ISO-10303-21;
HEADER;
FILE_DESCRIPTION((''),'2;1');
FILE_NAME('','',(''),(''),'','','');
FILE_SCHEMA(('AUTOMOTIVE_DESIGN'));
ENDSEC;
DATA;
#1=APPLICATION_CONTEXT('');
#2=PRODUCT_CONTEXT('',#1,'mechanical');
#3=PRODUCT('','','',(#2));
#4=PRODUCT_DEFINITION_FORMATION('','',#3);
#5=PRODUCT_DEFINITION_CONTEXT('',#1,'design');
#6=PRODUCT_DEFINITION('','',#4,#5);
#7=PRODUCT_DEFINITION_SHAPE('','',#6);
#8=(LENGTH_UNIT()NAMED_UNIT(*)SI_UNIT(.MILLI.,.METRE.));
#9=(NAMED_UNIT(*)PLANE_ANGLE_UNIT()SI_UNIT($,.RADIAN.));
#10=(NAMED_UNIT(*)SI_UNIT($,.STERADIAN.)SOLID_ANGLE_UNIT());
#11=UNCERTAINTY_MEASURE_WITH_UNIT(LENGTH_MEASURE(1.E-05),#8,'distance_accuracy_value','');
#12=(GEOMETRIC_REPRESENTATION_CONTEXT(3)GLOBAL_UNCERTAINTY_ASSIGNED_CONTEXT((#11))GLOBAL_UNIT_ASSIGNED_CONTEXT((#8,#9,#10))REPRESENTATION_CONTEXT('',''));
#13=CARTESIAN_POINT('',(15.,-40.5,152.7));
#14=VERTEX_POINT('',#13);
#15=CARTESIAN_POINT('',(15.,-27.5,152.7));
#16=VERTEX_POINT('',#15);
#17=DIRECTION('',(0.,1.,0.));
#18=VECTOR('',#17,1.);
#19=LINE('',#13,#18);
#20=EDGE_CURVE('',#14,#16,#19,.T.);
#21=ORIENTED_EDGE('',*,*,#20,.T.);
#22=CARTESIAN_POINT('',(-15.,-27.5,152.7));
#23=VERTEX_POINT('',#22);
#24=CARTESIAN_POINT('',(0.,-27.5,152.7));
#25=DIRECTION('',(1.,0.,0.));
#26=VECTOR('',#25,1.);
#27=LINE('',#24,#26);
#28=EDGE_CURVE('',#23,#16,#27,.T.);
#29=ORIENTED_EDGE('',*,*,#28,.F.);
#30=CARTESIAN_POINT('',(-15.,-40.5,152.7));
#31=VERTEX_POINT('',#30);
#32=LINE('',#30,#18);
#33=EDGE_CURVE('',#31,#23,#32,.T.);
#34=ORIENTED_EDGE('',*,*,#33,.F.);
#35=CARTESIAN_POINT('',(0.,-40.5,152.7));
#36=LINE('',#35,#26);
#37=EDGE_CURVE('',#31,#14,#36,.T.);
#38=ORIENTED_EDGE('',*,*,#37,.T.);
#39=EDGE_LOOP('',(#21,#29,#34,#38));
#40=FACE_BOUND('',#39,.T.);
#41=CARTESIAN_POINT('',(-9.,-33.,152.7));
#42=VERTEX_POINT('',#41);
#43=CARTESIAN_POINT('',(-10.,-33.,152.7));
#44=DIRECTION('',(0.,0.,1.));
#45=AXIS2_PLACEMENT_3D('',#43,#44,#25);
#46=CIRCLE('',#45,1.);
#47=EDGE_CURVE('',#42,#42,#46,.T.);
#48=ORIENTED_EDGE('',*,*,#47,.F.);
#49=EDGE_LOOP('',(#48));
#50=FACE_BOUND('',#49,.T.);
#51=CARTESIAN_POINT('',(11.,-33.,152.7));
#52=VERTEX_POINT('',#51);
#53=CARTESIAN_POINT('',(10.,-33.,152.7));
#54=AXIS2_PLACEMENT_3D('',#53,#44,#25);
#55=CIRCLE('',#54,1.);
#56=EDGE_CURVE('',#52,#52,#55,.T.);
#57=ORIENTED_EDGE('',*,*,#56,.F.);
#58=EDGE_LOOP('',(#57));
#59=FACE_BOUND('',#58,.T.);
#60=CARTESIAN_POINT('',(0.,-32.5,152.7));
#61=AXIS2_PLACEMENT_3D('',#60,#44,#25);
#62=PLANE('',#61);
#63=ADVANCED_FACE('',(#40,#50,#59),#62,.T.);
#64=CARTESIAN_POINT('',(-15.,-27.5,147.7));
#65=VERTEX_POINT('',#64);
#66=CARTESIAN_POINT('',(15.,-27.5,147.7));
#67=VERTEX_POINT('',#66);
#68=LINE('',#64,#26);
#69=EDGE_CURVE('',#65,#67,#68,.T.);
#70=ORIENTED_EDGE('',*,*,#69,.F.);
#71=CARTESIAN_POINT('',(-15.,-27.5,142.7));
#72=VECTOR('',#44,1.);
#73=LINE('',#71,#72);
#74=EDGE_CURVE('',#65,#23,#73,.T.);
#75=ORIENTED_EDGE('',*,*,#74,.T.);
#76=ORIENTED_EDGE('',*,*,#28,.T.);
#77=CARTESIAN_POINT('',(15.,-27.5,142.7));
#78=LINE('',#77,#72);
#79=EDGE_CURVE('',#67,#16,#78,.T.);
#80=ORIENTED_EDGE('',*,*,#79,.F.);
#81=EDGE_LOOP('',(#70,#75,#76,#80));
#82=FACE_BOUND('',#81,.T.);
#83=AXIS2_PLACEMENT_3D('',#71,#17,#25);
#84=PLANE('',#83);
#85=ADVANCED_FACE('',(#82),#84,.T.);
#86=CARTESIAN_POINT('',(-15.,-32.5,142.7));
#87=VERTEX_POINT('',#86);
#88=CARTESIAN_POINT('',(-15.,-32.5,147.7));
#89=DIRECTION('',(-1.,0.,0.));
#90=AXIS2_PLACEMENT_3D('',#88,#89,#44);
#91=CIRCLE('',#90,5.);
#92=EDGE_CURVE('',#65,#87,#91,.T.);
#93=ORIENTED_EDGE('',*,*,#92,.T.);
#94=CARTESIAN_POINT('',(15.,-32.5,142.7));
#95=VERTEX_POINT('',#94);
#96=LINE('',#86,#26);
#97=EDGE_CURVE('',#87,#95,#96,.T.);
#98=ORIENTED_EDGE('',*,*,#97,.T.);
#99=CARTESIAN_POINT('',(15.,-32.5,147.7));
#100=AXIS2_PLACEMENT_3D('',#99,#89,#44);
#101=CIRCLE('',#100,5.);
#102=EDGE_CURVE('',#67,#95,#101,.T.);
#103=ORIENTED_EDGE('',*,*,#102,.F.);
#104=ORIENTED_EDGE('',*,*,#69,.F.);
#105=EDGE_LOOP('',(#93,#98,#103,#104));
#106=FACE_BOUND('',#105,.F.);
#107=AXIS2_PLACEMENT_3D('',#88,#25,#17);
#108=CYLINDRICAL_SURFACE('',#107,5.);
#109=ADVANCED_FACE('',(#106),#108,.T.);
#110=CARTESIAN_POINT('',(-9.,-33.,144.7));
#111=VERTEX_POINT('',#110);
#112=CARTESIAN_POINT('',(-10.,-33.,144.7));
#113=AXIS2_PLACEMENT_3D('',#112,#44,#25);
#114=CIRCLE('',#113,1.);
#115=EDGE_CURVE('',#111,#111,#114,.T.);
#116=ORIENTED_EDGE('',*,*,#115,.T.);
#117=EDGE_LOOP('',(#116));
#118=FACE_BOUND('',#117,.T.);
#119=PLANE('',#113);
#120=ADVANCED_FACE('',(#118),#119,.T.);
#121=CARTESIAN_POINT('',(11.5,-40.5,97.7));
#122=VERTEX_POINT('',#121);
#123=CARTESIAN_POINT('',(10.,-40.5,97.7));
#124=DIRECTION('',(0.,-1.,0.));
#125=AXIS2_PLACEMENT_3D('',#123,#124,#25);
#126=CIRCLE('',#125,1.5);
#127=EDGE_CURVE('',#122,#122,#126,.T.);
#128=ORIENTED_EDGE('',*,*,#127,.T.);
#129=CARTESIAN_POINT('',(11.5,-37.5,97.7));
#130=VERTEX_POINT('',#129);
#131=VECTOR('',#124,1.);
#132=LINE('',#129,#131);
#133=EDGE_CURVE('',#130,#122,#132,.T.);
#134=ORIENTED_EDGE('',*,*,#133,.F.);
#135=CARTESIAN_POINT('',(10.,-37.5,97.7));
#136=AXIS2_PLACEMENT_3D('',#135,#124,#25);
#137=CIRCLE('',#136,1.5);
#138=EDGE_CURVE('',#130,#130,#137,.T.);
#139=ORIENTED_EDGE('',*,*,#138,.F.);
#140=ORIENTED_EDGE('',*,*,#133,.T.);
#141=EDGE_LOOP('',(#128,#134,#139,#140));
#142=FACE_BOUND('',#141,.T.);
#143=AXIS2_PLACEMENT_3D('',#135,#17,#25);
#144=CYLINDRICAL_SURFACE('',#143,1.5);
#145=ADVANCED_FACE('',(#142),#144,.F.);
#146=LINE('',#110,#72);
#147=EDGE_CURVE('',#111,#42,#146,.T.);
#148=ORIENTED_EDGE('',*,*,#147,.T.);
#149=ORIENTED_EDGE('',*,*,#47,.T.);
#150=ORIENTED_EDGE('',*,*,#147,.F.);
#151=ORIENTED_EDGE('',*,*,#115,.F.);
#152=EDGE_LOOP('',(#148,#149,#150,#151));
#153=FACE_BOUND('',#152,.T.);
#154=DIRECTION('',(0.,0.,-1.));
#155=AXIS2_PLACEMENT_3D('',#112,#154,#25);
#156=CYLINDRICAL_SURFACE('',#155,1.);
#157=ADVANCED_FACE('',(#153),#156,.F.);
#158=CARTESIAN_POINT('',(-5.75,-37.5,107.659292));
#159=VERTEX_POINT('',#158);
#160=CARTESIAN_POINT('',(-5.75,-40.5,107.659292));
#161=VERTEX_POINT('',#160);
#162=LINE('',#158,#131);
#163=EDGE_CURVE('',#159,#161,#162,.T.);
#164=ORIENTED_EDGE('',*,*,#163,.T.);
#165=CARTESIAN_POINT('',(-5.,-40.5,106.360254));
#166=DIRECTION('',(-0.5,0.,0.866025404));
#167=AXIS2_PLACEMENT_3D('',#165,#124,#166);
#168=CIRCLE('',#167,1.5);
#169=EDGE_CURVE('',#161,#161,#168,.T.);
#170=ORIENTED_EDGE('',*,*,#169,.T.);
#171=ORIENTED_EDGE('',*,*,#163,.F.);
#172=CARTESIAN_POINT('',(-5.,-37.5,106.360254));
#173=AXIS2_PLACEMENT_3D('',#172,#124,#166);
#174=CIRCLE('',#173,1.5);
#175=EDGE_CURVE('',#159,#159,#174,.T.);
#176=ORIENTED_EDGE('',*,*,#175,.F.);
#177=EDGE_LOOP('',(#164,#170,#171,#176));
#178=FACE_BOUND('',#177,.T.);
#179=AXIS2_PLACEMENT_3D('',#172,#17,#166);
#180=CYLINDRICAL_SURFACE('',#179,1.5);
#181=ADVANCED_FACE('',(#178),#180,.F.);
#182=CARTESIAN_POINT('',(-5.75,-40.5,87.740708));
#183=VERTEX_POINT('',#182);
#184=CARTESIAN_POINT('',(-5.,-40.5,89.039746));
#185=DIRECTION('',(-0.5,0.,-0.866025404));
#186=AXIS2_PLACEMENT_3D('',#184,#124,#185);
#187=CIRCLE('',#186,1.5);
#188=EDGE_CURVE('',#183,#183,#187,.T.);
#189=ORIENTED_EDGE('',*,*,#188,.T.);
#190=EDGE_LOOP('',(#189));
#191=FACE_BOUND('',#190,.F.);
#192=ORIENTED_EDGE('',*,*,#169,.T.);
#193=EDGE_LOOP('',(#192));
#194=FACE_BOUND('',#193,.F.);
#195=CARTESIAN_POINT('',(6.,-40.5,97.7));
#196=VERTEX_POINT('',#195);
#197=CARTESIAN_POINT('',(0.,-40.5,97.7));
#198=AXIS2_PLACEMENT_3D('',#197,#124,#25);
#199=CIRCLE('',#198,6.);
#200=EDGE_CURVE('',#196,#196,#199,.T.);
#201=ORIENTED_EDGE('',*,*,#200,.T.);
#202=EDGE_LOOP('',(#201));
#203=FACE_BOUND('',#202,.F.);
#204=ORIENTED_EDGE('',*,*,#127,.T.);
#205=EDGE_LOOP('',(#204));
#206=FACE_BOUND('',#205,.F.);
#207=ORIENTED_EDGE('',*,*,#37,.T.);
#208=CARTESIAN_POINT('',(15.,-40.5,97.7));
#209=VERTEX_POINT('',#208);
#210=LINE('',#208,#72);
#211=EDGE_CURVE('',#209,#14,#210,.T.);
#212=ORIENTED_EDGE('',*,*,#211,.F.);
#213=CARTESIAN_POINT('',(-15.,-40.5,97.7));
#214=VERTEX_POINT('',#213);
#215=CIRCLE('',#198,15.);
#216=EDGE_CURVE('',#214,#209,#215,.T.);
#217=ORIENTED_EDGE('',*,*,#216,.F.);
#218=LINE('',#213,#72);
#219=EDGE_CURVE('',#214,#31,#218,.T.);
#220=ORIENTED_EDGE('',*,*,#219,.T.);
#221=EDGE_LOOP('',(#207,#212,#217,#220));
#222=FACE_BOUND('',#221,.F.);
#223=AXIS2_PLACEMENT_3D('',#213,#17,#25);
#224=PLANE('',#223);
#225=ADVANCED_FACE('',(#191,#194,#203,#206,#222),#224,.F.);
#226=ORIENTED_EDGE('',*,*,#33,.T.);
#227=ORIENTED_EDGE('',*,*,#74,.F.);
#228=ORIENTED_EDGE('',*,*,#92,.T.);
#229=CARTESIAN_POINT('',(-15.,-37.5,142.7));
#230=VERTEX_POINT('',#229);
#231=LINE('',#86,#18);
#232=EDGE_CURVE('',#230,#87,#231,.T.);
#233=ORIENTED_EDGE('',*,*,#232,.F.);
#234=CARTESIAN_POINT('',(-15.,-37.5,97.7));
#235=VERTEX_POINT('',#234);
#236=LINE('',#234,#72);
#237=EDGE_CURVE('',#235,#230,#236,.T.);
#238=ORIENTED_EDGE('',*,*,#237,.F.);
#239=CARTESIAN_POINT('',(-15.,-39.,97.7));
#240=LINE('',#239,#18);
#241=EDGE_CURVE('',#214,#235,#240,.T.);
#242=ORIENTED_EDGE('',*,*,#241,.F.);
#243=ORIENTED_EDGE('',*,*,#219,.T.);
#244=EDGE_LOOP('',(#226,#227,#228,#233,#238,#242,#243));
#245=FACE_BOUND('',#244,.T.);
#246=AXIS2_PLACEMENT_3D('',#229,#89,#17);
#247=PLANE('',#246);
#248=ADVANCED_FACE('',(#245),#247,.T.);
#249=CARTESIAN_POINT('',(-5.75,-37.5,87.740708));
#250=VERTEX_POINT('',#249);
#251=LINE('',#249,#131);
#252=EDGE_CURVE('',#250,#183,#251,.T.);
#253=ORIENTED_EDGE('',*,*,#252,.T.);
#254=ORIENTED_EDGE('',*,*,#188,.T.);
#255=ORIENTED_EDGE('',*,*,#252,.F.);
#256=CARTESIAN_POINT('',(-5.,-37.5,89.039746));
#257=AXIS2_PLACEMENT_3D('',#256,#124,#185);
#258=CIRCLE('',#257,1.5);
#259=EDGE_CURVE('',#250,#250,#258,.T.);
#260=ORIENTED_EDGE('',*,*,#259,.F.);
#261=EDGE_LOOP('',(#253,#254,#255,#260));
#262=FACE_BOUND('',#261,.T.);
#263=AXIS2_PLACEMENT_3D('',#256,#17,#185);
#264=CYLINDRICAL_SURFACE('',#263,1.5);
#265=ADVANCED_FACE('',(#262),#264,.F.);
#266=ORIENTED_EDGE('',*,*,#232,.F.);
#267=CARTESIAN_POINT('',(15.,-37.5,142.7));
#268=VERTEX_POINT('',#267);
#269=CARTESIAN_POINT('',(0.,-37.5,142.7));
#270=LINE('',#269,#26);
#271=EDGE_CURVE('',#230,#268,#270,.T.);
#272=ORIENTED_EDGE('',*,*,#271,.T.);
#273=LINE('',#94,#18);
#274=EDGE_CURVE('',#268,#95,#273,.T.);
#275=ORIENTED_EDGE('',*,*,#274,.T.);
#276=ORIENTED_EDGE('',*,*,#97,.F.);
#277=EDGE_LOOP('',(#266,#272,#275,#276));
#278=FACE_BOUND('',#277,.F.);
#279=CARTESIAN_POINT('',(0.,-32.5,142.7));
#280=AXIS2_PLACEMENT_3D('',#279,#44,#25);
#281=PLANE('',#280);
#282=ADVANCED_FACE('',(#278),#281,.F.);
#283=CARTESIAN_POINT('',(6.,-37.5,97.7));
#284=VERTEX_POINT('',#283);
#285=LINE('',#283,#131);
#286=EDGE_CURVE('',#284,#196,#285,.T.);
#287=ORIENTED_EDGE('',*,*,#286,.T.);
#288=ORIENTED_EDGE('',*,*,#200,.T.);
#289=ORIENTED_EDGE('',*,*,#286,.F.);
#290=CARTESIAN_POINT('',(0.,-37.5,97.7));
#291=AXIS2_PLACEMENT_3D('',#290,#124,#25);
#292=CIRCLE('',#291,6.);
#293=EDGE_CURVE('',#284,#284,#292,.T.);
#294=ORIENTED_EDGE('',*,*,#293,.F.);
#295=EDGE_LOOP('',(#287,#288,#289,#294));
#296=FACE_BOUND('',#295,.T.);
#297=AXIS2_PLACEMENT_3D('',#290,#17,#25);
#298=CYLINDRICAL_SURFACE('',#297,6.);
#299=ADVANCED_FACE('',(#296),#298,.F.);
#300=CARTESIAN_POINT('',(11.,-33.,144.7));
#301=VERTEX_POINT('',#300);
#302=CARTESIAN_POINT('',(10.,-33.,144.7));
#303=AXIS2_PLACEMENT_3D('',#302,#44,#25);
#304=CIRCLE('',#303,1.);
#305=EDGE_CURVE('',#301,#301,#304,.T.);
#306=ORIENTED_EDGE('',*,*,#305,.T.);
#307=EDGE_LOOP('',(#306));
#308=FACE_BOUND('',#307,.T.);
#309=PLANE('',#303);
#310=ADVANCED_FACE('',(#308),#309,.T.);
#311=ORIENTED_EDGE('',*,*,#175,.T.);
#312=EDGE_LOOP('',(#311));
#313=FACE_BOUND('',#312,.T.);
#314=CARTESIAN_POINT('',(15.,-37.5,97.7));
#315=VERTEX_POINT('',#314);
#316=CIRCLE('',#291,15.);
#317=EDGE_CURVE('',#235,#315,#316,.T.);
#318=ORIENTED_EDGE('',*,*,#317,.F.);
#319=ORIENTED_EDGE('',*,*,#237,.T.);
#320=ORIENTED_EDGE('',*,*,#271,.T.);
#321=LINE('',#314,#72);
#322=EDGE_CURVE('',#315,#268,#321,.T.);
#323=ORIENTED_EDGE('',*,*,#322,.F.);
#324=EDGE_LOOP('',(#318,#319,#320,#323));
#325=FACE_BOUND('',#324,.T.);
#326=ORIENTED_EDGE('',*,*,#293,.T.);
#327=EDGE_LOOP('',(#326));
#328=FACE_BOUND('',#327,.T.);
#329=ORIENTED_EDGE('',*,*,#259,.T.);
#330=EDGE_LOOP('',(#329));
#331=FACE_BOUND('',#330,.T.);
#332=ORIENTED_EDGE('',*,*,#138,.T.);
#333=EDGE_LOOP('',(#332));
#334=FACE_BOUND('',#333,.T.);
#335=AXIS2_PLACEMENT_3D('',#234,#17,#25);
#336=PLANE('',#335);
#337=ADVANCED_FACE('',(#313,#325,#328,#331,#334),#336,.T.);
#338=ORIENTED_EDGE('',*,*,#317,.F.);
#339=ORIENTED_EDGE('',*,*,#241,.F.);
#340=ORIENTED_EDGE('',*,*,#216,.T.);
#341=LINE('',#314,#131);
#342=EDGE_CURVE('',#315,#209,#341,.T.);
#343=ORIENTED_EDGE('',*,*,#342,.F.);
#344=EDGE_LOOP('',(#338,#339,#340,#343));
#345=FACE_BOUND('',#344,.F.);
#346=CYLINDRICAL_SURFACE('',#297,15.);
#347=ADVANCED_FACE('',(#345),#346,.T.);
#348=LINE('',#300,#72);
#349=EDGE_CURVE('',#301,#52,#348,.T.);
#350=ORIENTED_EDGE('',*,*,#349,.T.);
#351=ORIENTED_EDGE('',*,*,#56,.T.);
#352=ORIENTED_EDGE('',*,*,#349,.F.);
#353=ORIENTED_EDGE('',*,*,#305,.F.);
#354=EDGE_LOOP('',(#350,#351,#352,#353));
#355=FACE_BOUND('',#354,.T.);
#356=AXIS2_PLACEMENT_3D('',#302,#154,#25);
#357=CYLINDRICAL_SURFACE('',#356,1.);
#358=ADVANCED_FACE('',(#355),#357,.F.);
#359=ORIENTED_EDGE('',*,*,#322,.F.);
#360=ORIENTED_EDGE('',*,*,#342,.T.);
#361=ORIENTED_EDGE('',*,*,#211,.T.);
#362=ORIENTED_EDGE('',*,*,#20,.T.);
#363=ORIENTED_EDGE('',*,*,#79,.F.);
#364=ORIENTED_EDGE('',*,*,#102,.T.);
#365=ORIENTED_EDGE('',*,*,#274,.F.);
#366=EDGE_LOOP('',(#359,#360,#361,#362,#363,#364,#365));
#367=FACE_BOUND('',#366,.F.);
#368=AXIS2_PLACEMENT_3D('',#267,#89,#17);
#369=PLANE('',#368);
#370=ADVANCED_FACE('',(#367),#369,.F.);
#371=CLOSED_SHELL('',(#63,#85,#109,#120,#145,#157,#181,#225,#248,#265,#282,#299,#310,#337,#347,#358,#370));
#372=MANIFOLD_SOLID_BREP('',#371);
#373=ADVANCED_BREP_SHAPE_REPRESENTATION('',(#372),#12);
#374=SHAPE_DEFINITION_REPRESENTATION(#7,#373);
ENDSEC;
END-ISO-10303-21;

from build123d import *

# Parameters (mm, degrees)
CYLINDER037_R     = 1
CYLINDER037_DEPTH = 8
CYLINDER033_R     = 6
CYLINDER033_DEPTH = 3
CYLINDER034_R     = 1.5
CYLINDER034_DEPTH = 3
ARRAY007_COUNT    = 3
CYLINDER036_R     = 1
CYLINDER036_DEPTH = 8
BOX003_W          = 30
BOX003_H          = 3
BOX003_DEPTH      = 55
BOX005_W          = 30
BOX005_H          = 10
BOX005_DEPTH      = 10
FILLET003_R       = 5
CYLINDER032_R     = 15
CYLINDER032_DEPTH = 3


with BuildPart() as payload_plate_screw002:
    # Cylinder037 → Cylinder037 (new body)
    with BuildSketch(Plane(origin=(-10, -33, 144.7), x_dir=(1, 0, 0), z_dir=(0, 0, 1))):
        Circle(CYLINDER037_R)
    extrude(amount=CYLINDER037_DEPTH)


with BuildPart() as arm_bottom_arc_axis_clearance:
    # Cylinder033 → Cylinder033 (new body)
    with BuildSketch(Plane(origin=(0, -37.5, 97.7), x_dir=(1, 0, 0), z_dir=(0, -1, 0))):
        Circle(CYLINDER033_R)
    extrude(amount=CYLINDER033_DEPTH)


with BuildPart() as arm_screw_holes:
    # Cylinder034 → Cylinder034 (new body)
    with BuildSketch(Plane(origin=(10, -37.5, 97.7), x_dir=(1, 0, 0), z_dir=(0, -1, 0))):
        Circle(CYLINDER034_R)
    extrude(amount=CYLINDER034_DEPTH)

    # Array007: arm-screw-holes ×3 about axis
    array007_axis = Axis((0, 0, 97.7), (0, 1, 0))


with BuildPart() as arm_screw_holes_1:
    add(arm_screw_holes.part)
    for i in range(1, ARRAY007_COUNT):
        add(arm_screw_holes.part.rotate(array007_axis, i * 360 / ARRAY007_COUNT))


with BuildPart() as arm_payload_plate_screw_holes:
    # Cylinder036 → Cylinder036 (new body)
    with BuildSketch(Plane(origin=(10, -33, 144.7), x_dir=(1, 0, 0), z_dir=(0, 0, 1))):
        Circle(CYLINDER036_R)
    extrude(amount=CYLINDER036_DEPTH)

    # Compound: union payload-plate-screw002, arm-bottom-arc-axis-clearance, arm-screw-holes
    add(payload_plate_screw002.part)
    add(arm_bottom_arc_axis_clearance.part)
    add(arm_screw_holes_1.part)


with BuildPart() as arm:
    # Box003 → Box003 (new body)
    with BuildSketch(Plane(origin=(-15, -40.5, 97.7), x_dir=(1, 0, 0), z_dir=(0, 0, 1))):
        with Locations((15, 1.5)):
            Rectangle(BOX003_W, BOX003_H)
    extrude(amount=BOX003_DEPTH)


with BuildPart() as arm_screw_block_with_fillet:
    # Box005 → Box005 (new body)
    with BuildSketch(Plane(origin=(-15, -37.5, 142.7), x_dir=(1, 0, 0), z_dir=(0, 0, 1))):
        with Locations((15, 5)):
            Rectangle(BOX005_W, BOX005_H)
    extrude(amount=BOX005_DEPTH)

    # Fillet003
    fillet003_edges = [arm_screw_block_with_fillet.edges().sort_by_distance(p)[0] for p in [
        (0, -27.5, 142.7),
    ]]
    fillet(fillet003_edges, radius=FILLET003_R)


with BuildPart() as tilt_arm:
    # Cylinder032 → Cylinder032 (new body)
    with BuildSketch(Plane(origin=(0, -37.5, 97.7), x_dir=(1, 0, 0), z_dir=(0, -1, 0))):
        Circle(CYLINDER032_R)
    extrude(amount=CYLINDER032_DEPTH)

    # Fusion015: union arm, arm-screw-block-with-fillet
    add(arm.part)
    add(arm_screw_block_with_fillet.part)

    # Cut026: cut arm-payload-plate-screw-holes
    add(arm_payload_plate_screw_holes.part, mode=Mode.SUBTRACT)


solid = tilt_arm.part
